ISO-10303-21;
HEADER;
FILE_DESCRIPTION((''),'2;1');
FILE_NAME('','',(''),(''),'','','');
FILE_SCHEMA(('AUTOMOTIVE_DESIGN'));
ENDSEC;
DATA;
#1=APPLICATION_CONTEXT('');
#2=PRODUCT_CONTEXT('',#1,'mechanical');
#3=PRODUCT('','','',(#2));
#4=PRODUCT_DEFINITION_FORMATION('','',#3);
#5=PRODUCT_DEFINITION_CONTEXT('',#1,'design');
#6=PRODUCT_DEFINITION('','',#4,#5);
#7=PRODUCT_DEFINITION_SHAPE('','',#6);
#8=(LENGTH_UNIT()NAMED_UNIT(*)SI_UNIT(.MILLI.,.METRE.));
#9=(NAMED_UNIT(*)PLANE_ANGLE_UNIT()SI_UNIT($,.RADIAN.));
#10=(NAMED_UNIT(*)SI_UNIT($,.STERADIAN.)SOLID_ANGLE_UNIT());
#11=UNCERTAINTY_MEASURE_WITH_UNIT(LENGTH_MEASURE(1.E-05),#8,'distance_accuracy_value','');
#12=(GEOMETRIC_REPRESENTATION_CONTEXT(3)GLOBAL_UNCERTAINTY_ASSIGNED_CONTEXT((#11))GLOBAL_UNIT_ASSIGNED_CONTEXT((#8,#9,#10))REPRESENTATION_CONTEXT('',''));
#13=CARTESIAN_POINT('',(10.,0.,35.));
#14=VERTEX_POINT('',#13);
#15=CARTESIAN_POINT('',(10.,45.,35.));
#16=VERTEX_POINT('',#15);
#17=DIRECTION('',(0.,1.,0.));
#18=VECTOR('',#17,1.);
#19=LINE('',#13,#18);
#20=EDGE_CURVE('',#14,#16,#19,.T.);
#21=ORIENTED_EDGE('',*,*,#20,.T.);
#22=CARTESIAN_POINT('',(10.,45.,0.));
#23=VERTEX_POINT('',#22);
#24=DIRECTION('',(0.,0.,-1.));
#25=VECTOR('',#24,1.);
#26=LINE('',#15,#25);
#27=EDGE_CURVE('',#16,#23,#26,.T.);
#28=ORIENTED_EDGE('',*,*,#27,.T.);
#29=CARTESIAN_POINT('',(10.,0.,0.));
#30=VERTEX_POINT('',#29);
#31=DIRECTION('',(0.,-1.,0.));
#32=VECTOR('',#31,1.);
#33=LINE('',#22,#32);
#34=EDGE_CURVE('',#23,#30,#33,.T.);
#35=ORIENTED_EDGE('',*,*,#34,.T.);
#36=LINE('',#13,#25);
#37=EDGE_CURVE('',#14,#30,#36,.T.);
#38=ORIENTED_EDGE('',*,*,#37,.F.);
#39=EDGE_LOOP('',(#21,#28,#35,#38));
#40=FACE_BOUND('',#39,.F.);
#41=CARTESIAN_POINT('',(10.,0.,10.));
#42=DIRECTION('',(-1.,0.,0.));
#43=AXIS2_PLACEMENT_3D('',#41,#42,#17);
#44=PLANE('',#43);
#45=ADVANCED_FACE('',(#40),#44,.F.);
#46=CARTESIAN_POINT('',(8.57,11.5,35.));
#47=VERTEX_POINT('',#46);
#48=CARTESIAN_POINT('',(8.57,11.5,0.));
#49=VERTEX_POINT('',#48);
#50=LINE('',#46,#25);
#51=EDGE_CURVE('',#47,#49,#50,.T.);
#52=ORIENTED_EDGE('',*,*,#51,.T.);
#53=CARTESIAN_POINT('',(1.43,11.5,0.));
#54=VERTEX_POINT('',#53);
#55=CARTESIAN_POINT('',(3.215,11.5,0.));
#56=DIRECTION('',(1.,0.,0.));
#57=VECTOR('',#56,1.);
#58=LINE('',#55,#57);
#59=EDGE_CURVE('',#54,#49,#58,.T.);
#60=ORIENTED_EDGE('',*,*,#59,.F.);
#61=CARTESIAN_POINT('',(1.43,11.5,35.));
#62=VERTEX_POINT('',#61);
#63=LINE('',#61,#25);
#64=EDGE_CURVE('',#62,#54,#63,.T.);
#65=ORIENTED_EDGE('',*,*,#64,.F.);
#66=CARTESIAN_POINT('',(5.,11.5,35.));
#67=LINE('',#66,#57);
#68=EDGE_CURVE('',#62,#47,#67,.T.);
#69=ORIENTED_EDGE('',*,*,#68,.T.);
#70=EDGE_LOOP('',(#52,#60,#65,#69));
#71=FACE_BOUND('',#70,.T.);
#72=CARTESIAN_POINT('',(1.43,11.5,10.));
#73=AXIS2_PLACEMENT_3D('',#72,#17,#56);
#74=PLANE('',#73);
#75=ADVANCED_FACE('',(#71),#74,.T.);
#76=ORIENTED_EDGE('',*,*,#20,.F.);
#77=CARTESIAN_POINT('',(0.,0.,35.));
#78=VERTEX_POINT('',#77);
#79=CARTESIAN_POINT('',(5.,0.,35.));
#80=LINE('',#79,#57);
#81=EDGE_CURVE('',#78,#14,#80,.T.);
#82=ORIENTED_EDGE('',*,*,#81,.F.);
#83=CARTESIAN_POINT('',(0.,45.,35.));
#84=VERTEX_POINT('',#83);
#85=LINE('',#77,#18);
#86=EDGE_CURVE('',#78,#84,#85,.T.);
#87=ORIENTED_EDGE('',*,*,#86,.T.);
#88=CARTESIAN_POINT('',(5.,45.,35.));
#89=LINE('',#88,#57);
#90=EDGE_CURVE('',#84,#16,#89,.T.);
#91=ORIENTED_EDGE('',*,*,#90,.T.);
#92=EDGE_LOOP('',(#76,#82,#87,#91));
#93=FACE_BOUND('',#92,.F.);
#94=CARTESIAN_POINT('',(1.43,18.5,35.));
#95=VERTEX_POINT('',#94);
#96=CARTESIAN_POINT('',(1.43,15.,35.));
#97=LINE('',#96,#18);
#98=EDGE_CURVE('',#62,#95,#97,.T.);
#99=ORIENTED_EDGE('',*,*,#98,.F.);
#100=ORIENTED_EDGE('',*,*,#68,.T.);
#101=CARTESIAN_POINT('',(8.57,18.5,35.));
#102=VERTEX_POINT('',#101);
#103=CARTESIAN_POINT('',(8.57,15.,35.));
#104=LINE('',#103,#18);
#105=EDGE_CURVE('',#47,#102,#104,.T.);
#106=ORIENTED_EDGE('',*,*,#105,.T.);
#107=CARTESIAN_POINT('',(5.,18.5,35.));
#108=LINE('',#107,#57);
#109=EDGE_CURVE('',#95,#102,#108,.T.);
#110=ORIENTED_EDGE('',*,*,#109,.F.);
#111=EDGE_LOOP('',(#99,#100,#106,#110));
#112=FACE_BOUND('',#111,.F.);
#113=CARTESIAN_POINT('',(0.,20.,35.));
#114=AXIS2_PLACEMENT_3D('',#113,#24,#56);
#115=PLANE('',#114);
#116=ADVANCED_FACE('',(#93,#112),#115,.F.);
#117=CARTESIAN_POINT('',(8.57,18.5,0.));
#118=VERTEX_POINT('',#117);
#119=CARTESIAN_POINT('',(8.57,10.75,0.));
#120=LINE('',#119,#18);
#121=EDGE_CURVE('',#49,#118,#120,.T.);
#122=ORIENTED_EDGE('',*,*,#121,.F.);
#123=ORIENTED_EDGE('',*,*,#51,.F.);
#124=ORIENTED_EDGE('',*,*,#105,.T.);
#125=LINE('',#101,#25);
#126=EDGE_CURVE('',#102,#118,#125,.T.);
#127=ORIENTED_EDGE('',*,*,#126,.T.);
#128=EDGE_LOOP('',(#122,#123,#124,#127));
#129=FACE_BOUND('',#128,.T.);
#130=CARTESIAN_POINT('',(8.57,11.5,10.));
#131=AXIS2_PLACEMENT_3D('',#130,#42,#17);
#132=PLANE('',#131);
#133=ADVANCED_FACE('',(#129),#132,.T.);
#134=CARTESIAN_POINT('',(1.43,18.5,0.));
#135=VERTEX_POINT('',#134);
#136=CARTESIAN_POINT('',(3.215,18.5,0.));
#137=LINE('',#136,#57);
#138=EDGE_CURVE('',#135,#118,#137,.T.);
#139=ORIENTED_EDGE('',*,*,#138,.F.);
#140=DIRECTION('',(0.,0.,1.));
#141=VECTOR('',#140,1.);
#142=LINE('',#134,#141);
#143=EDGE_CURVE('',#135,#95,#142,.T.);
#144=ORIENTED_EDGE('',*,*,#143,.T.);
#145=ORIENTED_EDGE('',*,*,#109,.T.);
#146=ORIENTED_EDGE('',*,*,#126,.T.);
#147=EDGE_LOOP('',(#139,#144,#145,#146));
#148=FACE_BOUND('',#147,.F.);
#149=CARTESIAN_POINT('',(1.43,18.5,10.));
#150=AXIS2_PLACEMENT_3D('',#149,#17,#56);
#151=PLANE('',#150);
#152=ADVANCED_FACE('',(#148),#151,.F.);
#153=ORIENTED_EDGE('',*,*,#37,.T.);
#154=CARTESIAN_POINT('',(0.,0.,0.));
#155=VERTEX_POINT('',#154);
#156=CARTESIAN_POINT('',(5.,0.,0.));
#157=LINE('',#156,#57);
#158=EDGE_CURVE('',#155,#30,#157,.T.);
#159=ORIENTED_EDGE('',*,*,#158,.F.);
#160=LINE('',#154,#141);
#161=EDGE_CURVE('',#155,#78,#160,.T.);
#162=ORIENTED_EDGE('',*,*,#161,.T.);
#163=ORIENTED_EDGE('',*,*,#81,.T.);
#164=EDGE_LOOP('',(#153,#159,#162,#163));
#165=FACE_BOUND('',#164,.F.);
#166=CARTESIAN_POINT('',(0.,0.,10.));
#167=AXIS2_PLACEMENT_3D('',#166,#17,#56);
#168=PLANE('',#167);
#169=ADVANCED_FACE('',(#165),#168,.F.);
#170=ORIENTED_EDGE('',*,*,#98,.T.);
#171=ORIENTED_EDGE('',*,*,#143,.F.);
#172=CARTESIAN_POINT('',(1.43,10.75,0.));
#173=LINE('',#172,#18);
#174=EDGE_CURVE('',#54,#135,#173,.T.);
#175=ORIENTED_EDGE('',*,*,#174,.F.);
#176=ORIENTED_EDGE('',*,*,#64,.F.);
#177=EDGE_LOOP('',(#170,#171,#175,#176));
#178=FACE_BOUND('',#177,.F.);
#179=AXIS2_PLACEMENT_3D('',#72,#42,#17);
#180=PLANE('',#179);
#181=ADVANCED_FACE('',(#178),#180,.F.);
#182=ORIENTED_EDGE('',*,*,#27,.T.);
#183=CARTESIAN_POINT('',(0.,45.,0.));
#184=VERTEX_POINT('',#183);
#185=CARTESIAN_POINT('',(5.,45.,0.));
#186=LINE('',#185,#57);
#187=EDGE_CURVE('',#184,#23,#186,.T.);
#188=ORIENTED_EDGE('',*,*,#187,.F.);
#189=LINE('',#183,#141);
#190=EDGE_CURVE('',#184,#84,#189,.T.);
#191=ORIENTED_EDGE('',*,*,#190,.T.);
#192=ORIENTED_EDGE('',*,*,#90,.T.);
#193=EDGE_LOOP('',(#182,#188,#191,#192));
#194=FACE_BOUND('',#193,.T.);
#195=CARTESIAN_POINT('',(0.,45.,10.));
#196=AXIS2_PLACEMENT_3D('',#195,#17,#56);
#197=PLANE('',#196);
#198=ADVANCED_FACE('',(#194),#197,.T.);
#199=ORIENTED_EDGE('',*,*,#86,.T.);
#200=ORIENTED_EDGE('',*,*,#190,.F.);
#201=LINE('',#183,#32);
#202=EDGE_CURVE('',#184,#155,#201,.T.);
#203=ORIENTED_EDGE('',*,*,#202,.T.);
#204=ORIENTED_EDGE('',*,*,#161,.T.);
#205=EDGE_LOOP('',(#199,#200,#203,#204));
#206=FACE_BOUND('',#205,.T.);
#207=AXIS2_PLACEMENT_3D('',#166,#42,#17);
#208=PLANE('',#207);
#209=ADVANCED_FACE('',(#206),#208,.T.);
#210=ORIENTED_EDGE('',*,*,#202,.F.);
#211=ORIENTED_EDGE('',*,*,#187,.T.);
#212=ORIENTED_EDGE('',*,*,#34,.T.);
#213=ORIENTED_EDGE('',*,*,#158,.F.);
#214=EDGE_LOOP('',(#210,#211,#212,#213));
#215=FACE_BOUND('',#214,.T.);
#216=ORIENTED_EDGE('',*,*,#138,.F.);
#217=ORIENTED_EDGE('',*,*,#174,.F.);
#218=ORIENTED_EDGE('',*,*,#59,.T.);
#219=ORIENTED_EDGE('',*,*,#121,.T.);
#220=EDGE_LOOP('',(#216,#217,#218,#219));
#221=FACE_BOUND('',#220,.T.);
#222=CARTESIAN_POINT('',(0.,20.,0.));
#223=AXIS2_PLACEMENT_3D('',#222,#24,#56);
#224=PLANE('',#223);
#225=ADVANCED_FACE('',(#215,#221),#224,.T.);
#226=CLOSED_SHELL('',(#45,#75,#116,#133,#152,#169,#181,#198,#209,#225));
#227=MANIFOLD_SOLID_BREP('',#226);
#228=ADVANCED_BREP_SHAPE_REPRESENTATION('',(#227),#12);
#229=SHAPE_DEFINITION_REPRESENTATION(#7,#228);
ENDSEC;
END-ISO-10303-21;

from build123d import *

# Parameters (mm, degrees)
F0_W     = 10
F0_H     = 20
F1_DEPTH = 10
F2_W     = 7.14
F2_H     = 7
F3_DEPTH = 25
F4_DEPTH = 25
F5_DEPTH = 25


with BuildPart() as f1:
    # F0 (on Top) → F1 (new body)
    with BuildSketch(Plane.XY):
        with Locations((5, 10)):
            Rectangle(F0_W, F0_H)
    extrude(amount=F1_DEPTH)

    # F2 (on face) → F3 (cut)
    with BuildSketch(Plane.XY.offset(10)):
        with Locations((5, 15)):
            Rectangle(F2_W, F2_H)
    extrude(amount=-F3_DEPTH, mode=Mode.SUBTRACT)

    # F4 (add): a face of the model
    f4_faces = [f1.faces().sort_by_distance(p)[0] for p in [
        (5, 20, 5),
    ]]
    extrude(f4_faces, amount=F4_DEPTH)

    # F5 (add): a face of the model
    f5_faces = [f1.faces().sort_by_distance(p)[0] for p in [
        (5, 23.4370781461, 10),
    ]]
    extrude(f5_faces, amount=F5_DEPTH)


solid = f1.part
